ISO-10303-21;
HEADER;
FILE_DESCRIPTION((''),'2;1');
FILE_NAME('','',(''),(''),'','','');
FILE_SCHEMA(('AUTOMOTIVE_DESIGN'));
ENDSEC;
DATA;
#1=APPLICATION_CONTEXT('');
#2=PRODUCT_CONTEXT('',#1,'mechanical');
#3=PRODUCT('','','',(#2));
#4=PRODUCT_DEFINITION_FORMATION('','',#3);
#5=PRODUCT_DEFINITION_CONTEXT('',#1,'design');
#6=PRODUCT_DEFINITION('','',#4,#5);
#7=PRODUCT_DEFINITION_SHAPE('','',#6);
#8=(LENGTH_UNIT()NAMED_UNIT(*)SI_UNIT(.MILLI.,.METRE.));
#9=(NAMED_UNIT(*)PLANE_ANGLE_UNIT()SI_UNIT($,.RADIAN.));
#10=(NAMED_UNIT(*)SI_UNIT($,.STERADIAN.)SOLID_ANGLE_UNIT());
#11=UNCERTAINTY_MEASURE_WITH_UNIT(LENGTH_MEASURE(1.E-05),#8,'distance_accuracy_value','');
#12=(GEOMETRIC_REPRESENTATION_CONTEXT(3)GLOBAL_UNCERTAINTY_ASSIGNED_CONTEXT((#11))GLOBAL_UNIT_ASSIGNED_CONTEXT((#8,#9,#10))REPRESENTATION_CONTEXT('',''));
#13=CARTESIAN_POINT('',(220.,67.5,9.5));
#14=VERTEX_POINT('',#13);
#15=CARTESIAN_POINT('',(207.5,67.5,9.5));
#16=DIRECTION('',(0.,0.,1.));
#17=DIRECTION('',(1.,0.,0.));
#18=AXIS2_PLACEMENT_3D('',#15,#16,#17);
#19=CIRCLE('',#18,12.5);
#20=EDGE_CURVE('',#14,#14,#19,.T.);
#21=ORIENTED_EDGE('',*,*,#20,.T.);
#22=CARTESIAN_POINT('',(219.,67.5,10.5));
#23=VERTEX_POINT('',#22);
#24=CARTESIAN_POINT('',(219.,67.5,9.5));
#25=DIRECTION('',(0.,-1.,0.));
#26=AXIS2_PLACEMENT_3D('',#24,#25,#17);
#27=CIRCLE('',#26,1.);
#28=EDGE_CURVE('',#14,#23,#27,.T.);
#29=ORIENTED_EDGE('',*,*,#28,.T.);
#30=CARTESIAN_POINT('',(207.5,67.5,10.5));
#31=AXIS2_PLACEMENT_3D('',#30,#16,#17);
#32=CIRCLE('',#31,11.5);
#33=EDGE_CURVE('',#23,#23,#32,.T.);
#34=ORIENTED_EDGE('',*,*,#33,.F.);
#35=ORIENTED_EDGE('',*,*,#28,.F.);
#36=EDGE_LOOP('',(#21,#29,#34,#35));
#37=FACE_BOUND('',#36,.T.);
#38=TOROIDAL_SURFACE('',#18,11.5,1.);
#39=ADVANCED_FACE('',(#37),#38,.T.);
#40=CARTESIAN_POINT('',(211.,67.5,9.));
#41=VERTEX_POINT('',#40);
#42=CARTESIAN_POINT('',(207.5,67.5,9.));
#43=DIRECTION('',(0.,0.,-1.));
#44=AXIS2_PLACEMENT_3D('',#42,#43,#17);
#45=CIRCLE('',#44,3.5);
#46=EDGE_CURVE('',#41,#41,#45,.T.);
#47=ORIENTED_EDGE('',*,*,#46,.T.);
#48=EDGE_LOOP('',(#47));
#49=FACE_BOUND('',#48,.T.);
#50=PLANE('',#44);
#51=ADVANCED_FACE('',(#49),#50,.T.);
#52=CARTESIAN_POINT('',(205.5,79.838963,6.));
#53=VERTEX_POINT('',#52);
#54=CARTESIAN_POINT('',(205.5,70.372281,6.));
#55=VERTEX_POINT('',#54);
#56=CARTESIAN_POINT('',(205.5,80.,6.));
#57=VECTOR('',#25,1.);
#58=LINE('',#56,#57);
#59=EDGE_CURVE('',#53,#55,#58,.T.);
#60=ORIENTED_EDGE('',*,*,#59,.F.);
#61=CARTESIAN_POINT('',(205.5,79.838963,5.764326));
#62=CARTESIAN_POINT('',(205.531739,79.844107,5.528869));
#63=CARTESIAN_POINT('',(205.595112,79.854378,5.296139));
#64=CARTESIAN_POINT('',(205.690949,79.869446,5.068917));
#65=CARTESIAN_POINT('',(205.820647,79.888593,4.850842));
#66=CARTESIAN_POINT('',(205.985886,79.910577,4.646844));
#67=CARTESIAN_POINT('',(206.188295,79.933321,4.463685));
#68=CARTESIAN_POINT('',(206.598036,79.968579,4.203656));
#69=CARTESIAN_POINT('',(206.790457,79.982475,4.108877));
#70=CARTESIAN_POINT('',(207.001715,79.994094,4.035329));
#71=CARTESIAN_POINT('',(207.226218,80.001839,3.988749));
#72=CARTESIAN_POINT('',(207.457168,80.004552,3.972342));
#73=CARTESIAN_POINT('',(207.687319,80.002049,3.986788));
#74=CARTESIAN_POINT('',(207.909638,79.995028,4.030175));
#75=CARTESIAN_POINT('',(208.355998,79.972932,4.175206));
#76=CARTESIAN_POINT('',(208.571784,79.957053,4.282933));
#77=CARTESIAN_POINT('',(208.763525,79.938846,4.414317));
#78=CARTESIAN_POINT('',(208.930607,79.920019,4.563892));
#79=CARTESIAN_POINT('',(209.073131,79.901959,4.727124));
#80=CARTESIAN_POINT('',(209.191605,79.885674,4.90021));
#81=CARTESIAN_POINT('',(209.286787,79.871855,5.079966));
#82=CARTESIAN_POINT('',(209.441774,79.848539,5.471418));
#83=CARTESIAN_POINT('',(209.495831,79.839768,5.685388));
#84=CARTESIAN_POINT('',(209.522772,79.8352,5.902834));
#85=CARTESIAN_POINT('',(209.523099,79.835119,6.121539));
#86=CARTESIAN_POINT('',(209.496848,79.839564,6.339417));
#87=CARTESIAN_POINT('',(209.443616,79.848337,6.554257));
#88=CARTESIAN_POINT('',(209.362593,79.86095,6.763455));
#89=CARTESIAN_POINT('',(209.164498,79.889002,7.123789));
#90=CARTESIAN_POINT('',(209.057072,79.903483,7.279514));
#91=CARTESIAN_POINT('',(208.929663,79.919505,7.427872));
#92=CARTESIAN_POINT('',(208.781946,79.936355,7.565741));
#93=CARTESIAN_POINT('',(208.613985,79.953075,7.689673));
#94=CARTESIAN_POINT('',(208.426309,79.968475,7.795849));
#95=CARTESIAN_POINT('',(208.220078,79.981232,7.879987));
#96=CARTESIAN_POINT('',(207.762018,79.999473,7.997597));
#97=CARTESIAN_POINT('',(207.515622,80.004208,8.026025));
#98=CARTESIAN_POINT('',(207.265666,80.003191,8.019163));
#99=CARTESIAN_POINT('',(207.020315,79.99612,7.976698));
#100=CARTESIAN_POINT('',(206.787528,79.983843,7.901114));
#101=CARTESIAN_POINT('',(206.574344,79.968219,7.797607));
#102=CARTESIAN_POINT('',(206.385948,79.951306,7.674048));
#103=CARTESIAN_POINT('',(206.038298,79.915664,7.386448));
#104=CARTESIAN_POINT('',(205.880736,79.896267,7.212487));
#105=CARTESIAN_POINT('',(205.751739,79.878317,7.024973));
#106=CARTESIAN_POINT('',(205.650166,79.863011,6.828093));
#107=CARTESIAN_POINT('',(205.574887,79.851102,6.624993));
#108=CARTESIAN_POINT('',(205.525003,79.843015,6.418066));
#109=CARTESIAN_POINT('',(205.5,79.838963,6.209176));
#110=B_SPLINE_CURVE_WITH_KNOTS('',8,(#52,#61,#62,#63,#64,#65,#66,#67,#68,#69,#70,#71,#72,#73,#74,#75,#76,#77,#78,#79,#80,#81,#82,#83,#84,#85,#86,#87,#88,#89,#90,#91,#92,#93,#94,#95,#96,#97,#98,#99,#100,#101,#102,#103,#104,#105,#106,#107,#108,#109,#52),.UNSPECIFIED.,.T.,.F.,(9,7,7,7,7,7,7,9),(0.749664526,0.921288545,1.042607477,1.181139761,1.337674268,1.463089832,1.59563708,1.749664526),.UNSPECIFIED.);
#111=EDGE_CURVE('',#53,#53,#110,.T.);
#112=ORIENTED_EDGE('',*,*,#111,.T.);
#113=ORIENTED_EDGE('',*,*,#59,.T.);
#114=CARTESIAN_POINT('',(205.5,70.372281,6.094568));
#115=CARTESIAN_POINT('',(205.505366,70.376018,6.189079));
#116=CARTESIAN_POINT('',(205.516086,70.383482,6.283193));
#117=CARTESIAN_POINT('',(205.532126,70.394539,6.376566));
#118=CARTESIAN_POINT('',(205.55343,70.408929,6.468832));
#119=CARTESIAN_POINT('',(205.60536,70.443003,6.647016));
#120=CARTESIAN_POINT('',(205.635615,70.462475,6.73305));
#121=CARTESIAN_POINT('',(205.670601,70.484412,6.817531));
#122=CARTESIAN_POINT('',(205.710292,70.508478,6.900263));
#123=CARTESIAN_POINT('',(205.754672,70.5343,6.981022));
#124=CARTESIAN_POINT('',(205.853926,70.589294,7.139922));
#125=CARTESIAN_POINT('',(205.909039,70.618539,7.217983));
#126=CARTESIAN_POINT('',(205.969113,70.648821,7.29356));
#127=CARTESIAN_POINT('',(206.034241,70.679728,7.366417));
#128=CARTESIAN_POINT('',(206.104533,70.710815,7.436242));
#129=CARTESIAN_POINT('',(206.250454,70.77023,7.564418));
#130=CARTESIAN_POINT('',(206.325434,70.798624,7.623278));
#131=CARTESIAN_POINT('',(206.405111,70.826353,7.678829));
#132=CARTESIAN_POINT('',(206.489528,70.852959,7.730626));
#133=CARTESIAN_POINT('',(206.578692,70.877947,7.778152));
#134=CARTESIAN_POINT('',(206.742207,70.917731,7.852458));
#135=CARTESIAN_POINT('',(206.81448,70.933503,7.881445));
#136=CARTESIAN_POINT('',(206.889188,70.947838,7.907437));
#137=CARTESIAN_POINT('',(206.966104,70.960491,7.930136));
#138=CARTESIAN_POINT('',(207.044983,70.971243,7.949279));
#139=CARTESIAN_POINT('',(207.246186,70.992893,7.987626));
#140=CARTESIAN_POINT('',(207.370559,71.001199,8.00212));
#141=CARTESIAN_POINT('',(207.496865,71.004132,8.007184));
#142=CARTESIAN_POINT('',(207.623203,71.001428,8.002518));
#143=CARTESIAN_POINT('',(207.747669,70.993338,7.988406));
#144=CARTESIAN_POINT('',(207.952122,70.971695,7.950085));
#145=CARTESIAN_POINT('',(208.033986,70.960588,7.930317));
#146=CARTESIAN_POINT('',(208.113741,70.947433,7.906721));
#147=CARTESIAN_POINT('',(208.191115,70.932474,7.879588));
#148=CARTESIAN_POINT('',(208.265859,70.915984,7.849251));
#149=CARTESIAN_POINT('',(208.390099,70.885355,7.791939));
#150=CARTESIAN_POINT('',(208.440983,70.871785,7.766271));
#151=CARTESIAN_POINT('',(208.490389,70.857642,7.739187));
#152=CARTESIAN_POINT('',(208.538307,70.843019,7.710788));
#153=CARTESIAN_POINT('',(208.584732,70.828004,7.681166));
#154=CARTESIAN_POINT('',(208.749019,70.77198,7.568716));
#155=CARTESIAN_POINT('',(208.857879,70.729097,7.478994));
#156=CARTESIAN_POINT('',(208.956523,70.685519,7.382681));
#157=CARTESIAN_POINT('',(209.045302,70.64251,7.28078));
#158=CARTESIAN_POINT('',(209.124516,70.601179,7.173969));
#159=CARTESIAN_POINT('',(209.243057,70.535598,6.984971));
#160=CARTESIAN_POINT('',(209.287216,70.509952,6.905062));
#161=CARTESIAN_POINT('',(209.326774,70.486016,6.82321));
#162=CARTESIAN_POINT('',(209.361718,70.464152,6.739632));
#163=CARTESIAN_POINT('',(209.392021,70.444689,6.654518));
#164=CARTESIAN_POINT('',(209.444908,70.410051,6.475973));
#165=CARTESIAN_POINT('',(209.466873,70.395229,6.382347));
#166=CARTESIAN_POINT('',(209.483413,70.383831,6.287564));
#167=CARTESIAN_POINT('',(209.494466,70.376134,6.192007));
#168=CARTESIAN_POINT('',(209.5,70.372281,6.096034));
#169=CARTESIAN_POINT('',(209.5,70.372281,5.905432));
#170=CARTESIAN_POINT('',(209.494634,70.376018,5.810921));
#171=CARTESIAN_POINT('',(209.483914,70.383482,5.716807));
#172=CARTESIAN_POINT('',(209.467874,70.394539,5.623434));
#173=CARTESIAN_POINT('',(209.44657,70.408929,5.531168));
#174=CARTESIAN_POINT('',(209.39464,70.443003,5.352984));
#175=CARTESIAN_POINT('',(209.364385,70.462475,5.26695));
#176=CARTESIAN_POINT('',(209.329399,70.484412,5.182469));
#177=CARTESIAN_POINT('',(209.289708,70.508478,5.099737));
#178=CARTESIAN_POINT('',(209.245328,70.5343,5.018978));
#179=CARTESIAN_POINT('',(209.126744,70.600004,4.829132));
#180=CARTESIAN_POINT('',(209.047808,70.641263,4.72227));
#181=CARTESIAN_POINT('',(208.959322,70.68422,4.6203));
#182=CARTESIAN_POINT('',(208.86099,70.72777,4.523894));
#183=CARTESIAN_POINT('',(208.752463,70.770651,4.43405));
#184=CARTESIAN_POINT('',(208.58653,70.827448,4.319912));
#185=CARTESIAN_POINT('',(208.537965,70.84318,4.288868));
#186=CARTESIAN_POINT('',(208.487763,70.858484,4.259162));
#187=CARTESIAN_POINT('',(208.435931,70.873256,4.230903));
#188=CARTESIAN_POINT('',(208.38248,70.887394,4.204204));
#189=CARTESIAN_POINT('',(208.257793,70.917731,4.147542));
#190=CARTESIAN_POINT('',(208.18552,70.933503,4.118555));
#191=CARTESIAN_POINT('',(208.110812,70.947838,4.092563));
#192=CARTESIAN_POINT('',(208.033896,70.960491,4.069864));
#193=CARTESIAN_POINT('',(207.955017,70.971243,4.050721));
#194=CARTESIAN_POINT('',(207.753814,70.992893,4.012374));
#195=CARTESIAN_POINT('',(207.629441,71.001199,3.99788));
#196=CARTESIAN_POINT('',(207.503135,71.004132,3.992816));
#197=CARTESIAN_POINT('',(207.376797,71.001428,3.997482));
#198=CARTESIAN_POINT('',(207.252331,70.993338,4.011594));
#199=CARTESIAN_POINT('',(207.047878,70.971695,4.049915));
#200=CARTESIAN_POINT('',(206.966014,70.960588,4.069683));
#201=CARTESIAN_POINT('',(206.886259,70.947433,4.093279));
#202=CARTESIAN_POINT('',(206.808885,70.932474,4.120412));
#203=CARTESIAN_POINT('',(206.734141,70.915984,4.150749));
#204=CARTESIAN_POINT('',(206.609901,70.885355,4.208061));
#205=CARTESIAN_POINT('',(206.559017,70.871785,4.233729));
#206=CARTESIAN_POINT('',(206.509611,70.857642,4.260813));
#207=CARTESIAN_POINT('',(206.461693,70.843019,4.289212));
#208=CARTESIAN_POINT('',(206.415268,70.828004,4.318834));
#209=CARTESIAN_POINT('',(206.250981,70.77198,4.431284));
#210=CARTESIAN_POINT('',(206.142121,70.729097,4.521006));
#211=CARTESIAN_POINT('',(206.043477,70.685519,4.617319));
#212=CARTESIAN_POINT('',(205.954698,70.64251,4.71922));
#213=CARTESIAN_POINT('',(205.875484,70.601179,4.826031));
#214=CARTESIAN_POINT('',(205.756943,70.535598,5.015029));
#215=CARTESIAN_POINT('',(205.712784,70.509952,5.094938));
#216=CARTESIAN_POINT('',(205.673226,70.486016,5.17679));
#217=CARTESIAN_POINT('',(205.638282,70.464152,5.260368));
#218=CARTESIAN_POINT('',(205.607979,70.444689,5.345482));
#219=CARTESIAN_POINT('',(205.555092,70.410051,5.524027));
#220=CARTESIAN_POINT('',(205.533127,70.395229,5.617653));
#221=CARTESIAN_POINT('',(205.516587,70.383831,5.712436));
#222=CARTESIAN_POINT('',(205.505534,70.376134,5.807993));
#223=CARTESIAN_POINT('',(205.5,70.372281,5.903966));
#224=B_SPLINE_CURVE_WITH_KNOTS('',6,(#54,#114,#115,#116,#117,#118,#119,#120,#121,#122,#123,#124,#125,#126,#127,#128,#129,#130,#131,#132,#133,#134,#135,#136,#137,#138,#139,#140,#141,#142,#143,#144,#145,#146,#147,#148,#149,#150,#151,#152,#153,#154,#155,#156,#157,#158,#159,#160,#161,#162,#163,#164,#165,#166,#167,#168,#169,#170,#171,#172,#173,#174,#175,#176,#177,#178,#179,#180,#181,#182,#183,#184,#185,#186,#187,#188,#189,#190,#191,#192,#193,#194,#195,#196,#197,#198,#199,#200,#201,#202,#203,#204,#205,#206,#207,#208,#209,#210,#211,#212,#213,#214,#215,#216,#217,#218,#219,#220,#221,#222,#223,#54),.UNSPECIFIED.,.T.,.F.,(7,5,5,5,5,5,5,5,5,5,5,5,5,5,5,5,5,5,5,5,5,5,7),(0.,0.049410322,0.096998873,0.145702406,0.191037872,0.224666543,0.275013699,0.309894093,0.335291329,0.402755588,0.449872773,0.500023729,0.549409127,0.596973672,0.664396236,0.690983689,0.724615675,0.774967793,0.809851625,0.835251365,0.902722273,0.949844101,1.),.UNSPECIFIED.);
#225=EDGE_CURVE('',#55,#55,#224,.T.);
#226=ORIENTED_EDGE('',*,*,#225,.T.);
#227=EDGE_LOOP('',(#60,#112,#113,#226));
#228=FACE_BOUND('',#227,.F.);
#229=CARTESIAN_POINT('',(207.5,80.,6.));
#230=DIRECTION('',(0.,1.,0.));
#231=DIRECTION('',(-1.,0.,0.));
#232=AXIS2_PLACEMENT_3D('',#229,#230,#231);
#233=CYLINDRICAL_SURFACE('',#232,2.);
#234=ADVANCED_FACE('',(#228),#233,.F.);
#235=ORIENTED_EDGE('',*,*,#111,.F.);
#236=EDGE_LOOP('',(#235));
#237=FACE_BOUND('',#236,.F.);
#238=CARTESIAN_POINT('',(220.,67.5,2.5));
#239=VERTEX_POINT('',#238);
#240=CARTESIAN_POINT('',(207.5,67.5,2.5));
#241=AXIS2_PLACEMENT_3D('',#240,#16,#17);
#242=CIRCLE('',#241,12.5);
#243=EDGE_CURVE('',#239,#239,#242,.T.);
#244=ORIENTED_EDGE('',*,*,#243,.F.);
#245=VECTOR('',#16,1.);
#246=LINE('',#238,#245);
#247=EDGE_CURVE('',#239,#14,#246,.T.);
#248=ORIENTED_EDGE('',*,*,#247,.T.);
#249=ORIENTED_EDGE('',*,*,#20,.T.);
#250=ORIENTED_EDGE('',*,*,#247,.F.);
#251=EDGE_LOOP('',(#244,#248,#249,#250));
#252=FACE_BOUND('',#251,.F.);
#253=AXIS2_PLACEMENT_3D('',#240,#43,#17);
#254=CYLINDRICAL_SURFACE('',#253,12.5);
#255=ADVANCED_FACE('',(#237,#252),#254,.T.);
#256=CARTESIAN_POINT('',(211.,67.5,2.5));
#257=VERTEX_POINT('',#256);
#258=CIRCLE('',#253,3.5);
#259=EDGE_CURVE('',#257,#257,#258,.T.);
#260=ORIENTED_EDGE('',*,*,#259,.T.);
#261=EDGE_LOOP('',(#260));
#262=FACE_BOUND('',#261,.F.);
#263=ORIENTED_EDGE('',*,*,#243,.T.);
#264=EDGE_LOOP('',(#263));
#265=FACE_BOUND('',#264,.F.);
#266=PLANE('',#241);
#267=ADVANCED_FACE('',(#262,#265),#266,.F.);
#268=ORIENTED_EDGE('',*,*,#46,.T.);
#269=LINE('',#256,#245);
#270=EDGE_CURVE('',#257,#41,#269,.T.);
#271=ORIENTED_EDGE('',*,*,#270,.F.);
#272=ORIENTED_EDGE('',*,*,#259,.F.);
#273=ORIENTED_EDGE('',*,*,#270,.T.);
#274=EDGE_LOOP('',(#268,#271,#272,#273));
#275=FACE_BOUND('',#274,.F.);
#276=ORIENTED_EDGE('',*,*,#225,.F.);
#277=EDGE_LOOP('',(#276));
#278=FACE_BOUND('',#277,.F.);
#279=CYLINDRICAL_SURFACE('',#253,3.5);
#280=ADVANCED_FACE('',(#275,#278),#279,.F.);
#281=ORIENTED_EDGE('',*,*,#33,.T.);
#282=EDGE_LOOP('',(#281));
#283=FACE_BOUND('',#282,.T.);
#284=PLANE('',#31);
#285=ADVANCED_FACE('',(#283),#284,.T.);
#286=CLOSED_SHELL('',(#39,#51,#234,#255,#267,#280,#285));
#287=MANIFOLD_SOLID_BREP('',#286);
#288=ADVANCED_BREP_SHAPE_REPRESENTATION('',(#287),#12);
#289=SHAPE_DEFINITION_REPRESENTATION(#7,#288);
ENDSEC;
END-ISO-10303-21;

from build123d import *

# Parameters (mm, degrees)
SKETCH062_R     = 12.5
PAD031_DEPTH    = 8
SKETCH063_R     = 3.5
POCKET031_DEPTH = 6.5
FILLET004_R     = 1
SKETCH064_R     = 2
POCKET032_DEPTH = 10


with BuildPart() as part:
    # Sketch062 → Pad031 (new body)
    with BuildSketch(Plane.XY):
        Circle(SKETCH062_R)
    extrude(amount=PAD031_DEPTH)

    # Sketch063 (on Face2 of Pad031) → Pocket031 (cut)
    with BuildSketch(Plane(origin=(0, 0, 0), x_dir=(1, 0, 0), z_dir=(0, 0, -1))):
        Circle(SKETCH063_R)
    extrude(amount=-POCKET031_DEPTH, mode=Mode.SUBTRACT)

    # Fillet004
    fillet004_edges = [part.edges().sort_by_distance(p)[0] for p in [
        (-12.5, 0, 8),
    ]]
    fillet(fillet004_edges, radius=FILLET004_R)

    # Sketch064 (on DatumPlane) → Pocket032 (cut)
    with BuildSketch(Plane(origin=(0, 12.5, 3.5), x_dir=(-1, 0, 0), z_dir=(0, 1, 0))):
        Circle(SKETCH064_R)
    extrude(amount=-POCKET032_DEPTH, mode=Mode.SUBTRACT)


with BuildPart() as part_1:
    # Body016 placement: moved
    add(part.part.moved(Location((207.5, 67.5, 2.5))))


solid = part_1.part
